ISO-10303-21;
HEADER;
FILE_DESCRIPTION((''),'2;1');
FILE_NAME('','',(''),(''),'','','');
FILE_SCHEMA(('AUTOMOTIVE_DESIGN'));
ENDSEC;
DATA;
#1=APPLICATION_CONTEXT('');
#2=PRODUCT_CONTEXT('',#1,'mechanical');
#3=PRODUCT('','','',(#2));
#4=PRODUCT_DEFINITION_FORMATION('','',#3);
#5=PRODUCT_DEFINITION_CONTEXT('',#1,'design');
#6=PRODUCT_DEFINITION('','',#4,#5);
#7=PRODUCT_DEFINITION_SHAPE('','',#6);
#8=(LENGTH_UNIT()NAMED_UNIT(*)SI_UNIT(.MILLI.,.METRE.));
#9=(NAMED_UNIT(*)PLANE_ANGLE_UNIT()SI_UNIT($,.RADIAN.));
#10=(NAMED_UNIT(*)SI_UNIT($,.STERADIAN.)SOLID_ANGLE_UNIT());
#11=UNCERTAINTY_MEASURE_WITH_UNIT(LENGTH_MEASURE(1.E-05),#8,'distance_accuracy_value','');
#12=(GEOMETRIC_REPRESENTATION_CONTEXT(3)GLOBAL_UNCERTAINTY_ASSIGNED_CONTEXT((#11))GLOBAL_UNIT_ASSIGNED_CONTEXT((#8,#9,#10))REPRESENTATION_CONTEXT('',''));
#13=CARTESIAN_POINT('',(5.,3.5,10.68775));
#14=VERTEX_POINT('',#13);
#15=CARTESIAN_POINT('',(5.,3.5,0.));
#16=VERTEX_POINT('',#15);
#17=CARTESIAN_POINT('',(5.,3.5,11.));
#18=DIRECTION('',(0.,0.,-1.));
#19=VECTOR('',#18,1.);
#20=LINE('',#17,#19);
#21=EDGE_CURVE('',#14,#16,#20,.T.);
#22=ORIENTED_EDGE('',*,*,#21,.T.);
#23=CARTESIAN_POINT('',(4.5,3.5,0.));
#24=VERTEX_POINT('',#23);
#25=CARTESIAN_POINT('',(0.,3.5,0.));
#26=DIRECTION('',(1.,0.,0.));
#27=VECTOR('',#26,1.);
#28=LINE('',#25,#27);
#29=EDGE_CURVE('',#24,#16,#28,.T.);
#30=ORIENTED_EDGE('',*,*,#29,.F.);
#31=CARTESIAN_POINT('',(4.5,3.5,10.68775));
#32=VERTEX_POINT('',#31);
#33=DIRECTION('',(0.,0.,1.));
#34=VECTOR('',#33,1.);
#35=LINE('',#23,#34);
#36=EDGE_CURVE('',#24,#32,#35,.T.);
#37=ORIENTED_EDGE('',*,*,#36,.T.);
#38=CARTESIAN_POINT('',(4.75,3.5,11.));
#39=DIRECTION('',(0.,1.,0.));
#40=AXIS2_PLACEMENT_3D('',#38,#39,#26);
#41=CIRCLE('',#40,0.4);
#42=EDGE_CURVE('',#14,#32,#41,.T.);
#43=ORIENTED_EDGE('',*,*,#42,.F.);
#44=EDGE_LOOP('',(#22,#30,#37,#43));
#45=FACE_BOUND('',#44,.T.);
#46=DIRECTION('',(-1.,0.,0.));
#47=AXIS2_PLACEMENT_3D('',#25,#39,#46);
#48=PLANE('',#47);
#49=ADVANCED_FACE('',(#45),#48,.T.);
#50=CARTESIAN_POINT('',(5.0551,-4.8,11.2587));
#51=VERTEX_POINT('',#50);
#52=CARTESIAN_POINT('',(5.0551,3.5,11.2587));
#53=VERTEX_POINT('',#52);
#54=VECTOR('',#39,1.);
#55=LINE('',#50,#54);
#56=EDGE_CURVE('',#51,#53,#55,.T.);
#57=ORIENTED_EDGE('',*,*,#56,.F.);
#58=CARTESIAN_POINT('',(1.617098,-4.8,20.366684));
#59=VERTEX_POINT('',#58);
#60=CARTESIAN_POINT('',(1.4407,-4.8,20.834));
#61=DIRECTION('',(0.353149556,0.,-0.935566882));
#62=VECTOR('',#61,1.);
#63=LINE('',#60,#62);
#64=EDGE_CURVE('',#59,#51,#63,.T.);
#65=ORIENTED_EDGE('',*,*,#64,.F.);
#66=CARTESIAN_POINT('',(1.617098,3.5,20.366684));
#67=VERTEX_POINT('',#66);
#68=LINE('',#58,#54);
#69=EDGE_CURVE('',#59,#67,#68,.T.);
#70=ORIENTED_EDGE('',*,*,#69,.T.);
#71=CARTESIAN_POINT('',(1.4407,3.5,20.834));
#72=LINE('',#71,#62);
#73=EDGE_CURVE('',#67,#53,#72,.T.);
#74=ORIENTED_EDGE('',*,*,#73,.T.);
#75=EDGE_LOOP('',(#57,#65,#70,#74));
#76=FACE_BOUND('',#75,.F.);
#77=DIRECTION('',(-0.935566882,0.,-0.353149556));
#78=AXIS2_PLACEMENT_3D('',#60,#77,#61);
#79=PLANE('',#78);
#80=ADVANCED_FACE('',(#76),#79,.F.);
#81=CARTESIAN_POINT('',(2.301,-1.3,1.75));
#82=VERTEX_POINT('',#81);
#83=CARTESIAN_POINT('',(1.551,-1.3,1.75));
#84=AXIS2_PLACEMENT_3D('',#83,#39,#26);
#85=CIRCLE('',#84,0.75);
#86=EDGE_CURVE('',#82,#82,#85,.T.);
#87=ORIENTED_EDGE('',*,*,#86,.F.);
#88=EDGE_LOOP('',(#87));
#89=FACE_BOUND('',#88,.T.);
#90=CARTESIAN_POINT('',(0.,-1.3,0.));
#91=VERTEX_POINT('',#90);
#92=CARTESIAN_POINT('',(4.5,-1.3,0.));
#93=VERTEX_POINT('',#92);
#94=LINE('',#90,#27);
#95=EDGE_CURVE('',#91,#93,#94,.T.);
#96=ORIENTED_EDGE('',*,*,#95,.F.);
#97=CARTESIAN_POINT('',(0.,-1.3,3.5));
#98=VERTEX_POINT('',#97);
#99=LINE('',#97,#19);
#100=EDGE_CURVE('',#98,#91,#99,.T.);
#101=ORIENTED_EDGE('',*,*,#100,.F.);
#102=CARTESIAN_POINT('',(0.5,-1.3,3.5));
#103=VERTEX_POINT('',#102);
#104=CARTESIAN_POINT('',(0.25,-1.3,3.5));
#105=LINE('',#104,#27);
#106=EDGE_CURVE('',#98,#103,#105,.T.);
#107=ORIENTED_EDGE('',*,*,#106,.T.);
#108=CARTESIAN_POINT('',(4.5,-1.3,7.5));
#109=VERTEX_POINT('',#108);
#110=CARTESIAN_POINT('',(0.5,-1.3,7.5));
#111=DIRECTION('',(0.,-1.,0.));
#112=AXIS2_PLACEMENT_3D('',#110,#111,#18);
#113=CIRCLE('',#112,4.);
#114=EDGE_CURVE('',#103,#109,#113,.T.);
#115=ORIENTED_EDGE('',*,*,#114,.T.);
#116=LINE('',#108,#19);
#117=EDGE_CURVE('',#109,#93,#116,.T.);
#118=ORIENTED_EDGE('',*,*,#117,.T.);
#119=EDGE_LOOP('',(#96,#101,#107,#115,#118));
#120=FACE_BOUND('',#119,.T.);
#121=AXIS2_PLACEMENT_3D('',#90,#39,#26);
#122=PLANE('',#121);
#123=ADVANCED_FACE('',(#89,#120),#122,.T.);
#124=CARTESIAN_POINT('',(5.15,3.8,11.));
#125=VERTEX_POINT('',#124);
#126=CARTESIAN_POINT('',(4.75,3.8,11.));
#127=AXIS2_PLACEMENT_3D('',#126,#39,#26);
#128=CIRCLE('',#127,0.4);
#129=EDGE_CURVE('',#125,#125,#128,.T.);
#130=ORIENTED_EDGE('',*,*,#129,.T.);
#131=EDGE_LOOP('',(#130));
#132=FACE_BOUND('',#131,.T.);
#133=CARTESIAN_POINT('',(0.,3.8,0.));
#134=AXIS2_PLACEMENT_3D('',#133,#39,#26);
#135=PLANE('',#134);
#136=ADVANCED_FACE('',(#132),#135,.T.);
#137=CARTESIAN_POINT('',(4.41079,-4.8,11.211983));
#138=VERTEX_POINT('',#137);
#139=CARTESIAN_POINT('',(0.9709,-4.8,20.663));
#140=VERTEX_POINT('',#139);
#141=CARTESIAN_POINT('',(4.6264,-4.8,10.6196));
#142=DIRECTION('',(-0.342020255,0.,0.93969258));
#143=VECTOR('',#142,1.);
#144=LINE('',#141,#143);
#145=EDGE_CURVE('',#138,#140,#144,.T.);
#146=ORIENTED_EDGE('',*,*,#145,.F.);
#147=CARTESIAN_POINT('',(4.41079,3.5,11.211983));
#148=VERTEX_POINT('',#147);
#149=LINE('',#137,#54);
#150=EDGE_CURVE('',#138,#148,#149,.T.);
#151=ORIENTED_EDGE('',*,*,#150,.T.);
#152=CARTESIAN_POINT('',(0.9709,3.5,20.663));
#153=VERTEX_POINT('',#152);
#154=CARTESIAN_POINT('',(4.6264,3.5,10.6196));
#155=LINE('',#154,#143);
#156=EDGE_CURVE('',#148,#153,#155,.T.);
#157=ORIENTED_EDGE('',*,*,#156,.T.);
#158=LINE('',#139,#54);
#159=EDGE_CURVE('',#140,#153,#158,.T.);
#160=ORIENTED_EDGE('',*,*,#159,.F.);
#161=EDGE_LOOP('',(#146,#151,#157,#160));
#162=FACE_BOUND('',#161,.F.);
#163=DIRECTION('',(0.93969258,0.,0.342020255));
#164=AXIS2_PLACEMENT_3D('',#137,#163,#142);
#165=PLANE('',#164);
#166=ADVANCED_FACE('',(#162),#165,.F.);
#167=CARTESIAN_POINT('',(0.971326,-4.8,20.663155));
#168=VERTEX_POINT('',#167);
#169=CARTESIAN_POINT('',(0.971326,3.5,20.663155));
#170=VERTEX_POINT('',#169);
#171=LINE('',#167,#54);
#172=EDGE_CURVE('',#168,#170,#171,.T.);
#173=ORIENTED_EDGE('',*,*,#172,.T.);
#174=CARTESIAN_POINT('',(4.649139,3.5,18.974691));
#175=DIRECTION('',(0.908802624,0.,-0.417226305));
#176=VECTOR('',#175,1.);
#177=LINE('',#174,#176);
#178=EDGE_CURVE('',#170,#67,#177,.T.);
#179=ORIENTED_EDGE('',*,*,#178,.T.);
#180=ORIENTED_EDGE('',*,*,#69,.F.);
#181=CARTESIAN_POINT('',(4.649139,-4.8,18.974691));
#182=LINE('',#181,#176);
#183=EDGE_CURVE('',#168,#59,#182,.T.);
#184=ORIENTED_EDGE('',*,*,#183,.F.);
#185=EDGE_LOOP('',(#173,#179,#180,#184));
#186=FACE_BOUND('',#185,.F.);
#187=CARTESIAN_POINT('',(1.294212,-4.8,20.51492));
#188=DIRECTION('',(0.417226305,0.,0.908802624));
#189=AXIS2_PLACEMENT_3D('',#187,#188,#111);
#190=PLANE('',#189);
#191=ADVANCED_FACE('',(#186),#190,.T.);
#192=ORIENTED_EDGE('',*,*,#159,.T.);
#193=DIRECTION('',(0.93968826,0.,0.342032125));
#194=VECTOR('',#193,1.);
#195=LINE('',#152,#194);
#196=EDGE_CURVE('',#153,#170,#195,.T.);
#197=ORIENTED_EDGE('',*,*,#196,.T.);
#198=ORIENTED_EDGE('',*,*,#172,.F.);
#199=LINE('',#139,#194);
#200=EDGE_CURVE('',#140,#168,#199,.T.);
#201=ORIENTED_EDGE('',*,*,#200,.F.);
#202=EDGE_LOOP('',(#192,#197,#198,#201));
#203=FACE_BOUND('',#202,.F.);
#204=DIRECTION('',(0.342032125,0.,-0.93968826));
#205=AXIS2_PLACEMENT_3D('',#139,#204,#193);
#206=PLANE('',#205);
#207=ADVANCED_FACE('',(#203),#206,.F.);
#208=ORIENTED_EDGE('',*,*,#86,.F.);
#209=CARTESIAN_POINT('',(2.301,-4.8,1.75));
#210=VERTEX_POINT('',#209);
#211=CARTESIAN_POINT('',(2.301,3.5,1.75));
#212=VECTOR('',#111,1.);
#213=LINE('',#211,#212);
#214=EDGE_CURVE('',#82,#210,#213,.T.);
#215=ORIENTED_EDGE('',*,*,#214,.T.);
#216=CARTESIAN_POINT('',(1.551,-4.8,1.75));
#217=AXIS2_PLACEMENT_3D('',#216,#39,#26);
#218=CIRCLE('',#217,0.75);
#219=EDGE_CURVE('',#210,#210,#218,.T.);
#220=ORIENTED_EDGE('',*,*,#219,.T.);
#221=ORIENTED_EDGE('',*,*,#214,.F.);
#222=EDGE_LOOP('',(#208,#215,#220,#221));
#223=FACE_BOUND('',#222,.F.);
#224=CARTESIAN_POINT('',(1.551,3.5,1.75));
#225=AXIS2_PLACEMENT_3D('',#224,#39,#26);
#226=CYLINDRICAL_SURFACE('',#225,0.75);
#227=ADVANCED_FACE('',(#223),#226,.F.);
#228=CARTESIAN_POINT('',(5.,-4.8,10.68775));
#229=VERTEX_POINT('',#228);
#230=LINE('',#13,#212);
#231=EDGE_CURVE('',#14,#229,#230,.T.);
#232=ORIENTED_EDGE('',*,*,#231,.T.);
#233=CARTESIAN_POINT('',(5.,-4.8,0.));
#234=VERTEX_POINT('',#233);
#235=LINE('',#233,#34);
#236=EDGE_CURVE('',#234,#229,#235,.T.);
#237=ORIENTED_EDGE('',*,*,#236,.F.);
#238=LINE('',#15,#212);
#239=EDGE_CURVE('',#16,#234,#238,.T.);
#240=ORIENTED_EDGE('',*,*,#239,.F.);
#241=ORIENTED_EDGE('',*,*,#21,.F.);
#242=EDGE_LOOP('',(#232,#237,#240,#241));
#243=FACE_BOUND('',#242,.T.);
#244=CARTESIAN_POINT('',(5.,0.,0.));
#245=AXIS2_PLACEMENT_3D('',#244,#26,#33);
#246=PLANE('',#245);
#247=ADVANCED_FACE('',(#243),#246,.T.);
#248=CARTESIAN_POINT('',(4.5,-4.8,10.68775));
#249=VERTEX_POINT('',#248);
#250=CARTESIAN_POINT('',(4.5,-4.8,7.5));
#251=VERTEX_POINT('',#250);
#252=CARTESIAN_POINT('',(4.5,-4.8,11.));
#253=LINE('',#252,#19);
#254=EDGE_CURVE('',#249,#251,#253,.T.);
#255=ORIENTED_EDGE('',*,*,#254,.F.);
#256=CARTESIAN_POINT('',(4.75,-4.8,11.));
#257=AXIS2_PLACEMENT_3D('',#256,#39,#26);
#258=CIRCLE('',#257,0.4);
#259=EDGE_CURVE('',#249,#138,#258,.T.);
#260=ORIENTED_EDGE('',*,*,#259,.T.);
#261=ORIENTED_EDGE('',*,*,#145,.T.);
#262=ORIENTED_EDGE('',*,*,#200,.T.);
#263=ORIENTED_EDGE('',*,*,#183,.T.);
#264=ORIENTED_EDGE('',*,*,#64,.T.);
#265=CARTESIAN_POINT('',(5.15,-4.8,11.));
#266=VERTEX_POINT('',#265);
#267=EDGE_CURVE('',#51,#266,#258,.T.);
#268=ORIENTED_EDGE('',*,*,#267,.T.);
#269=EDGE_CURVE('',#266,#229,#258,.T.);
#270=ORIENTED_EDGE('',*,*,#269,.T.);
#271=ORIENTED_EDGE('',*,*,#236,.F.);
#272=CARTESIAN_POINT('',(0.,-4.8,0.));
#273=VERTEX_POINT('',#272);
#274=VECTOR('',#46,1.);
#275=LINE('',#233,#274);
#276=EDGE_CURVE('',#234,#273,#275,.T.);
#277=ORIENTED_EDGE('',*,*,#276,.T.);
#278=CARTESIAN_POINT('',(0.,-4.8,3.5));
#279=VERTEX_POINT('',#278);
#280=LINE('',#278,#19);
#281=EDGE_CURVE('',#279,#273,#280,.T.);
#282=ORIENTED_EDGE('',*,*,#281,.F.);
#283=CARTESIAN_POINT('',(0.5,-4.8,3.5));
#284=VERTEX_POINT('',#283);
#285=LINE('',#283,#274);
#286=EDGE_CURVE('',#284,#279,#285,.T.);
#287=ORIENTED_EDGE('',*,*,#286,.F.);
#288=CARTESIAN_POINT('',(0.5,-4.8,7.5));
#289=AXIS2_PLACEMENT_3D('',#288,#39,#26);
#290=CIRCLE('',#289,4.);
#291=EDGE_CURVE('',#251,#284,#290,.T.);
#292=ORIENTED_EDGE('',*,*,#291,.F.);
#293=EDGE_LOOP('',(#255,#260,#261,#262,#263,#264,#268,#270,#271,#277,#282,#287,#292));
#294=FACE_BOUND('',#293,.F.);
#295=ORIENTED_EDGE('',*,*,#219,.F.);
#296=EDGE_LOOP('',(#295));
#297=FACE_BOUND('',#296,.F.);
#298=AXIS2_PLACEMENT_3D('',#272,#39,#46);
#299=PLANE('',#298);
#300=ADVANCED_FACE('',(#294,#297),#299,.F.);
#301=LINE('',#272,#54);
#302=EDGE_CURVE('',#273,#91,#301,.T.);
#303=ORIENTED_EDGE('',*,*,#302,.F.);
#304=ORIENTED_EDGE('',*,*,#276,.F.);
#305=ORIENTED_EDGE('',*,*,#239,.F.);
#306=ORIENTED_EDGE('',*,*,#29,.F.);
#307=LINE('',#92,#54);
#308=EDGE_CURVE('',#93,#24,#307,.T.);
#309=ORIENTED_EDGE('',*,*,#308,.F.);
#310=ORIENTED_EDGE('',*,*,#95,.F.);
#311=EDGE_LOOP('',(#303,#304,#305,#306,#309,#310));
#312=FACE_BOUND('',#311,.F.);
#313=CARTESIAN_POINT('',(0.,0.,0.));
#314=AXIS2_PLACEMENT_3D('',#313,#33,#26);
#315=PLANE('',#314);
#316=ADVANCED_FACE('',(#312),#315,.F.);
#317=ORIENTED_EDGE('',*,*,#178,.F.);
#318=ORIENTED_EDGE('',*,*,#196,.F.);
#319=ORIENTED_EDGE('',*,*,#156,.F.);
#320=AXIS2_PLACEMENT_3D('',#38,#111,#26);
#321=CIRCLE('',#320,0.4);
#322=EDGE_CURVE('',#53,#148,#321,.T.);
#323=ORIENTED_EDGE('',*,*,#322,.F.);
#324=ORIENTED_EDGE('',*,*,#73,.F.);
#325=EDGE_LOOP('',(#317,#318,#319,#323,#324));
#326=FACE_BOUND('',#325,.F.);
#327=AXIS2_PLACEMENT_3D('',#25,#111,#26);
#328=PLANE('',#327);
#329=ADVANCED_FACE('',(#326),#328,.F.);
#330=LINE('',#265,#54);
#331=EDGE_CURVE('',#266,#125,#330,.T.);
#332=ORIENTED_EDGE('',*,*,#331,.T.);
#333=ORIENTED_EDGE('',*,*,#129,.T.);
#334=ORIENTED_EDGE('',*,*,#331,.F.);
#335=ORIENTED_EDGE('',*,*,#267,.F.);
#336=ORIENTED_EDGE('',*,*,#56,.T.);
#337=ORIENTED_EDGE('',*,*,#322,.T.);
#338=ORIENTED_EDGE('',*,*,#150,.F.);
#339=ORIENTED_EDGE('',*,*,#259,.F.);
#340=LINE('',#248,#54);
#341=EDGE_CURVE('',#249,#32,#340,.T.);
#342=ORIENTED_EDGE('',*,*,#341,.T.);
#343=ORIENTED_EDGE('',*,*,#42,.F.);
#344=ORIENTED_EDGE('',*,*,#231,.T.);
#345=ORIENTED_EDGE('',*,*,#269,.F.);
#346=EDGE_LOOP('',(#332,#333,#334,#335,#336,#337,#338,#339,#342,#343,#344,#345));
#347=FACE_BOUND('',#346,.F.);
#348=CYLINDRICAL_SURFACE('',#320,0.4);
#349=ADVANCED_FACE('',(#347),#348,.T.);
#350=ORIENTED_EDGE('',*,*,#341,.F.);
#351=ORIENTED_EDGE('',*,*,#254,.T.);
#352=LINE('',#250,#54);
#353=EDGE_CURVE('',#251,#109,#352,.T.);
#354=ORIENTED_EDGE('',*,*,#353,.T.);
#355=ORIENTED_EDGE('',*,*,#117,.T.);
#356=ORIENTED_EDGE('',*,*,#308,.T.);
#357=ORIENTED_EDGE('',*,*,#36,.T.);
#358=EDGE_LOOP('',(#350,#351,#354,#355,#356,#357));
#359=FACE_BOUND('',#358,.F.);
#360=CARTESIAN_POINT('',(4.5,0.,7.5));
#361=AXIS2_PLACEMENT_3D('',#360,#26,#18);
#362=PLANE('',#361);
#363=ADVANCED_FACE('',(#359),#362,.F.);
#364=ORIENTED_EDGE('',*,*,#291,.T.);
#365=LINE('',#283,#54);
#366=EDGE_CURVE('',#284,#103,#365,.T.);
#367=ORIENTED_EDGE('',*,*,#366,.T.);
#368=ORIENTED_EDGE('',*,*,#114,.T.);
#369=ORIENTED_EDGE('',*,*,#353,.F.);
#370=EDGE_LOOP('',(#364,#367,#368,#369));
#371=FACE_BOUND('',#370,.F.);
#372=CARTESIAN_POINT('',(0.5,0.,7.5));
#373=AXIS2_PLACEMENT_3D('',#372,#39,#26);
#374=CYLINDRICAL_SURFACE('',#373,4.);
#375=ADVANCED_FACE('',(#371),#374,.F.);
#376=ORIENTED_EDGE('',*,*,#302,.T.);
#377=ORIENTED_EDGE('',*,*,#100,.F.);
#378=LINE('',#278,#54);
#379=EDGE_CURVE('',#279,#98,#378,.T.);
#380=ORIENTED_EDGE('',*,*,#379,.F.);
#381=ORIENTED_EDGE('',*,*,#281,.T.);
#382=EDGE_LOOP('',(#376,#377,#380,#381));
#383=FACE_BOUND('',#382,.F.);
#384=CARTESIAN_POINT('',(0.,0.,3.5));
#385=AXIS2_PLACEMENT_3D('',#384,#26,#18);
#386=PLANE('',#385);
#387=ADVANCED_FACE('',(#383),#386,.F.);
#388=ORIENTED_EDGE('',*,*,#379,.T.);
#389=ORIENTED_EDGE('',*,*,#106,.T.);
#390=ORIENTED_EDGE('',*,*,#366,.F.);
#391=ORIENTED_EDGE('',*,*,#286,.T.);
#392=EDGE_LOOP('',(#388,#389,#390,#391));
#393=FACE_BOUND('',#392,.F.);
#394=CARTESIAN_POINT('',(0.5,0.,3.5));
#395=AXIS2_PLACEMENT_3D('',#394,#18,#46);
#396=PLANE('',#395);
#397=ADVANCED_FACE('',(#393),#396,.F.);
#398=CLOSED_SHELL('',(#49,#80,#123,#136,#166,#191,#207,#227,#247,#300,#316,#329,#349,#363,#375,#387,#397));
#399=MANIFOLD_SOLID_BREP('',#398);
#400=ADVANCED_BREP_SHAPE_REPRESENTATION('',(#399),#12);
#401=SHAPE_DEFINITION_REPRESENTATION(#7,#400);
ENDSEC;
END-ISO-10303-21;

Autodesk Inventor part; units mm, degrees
ref_plane "YZ Plane" through (0, 0, 0) normal (1, 0, 0) x (0, 1, 0)
ref_plane "XZ Plane" through (0, 0, 0) normal (0, 1, 0) x (-1, 0, 0)
ref_plane "XY Plane" through (0, 0, 0) normal (0, 0, 1) x (1, 0, 0)
sketch "Sketch1" plane through (0, 0, 0) normal (0, 1, 0) x (-1, 0, 0)
  line L0 (0, 0) -> (-5, 0)
  line L1 (-5, 0) -> (-5, 3.5)
  line L2 (-0.5, 3.5) -> (0, 3.5)
  line L3 (0, 3.5) -> (0, 0)
  line L4 (-5, 0) -> (-4.5, 0)
  line L5 (-4.5, 7.5) -> (-4.5, 11)
  line L6 (-4.5, 11) -> (-5, 11)
  line L7 (-5, 11) -> (-5, 0)
  arc A0 (-4.5, 7.5) -> (-0.5, 3.5) centre (-0.5, 7.5) ccw
  dimension "d0" = 5
  dimension "d1" = 3.5
  dimension "d2" = 0.5
  dimension "d3" = 11
  dimension "d4" = 4
extrude "Extrusion1" add sketch "Sketch1" along normal blind 3.5
sketch "Sketch2" plane through (0, 3.5, 0) normal (0, 1, 0) x (1, 0, 0)
  line L0 (0, -3.5) -> (0.5, -3.5) projected
  line L1 (5, -11) -> (5, 0) projected
  line L2 (0, -3.5) -> (5, -3.5)
  line L3 (5, -3.5) -> (5, 0)
  line L4 (5, 0) -> (0, 0)
  line L5 (0, 0) -> (0, -3.5)
  circle A0 centre (1.551, -1.75) radius 0.75
  dimension "d7" = 1.5
extrude "Extrusion2" cut sketch "Sketch2" against normal blind 3.5 contours A0
sketch "Sketch3" plane through (0, 0, 0) normal (0, -1, 0) x (1, 0, 0)
  line L0 (5, 11) -> (5, 0) projected
  arc A0 (0.5, 3.5) -> (4.5, 7.5) centre (0.5, 7.5) ccw projected
  line L1 (5, 11) -> (4.5, 11)
  line L2 (4.5, 11) -> (4.5, 7.5)
  line L3 (4.5, 7.5) -> (5, 7.5)
  line L4 (5, 7.5) -> (5, 11)
  line L5 (5, 0) -> (0, 0) projected
  line L6 (5, 7.5) -> (4.5, 7.5)
  line L7 (4.5, 7.5) -> (4.5, 0)
  line L8 (4.5, 0) -> (5, 0)
  line L9 (5, 0) -> (5, 7.5)
extrude "Extrusion3" add sketch "Sketch3" along normal blind 4.8
sketch "Sketch4" plane through (0, 3.5, 0) normal (0, 1, 0) x (1, 0, 0)
  line L0 (5, -11) -> (4.5, -11) projected
  circle A0 centre (4.75, -11) radius 0.4
  point P0 (0, 0)
  dimension "d12" = 0.8
extrude "Extrusion4" add sketch "Sketch4" along normal blind 0.3 and the other way blind 8.3
sketch "Sketch5" plane through (0, -4.8, 0) normal (0, -1, 0) x (1, 0, 0)
  circle A0 centre (4.75, 11) radius 0.4 projected
  line L0 (4.6264, 10.6196) -> (0.9709, 20.663)
  line L1 (4.6264, 10.6196) -> (15.3144, 10.6196) construction
  line L2 (0.9709, 20.663) -> (1.4407, 20.834)
  line L3 (1.4407, 20.834) -> (5.0551, 11.2587)
  point P0 (0, 0)
  point P1 (4.4108, 11.212)
  dimension "d17" = 10.688
  dimension "d18" = 110
  dimension "d19" = 0.5
extrude "Extrusion5" add sketch "Sketch5" against normal blind 8.3 contours A0 L0 L2 L3
chamfer "Chamfer1" distance 0.5 angle 45 1 edges at (1.4407, -0.65, 20.834)
extrude "Extrusion6" add sketch "Sketch1" against normal blind 4.8
extrude "Extrusion7" cut sketch "Sketch2" against normal blind 10 contours A0
sketch "Sketch8" plane through (0, 3.5, 0) normal (0, 1, 0) x (1, 0, 0)
  arc A0 (4.5, -7.5) -> (0.5, -3.5) centre (0.5, -7.5) ccw projected
  line L0 (4.5, -7.5) -> (4.5, 0)
  line L1 (0, 0) -> (5, 0) projected
  line L2 (4.5, 0) -> (0, 0)
  line L3 (0, -3.5) -> (0, 0) projected
  line L4 (0, 0) -> (0, -3.5)
  line L5 (4.5, -10.6878) -> (4.5, -7.5) projected
  line L6 (0.5, -3.5) -> (0, -3.5) projected
  arc A1 (4.5, -7.5) -> (0, -3.5) centre (0.0283, -7.9995) ccw
extrude "Extrusion8" cut sketch "Sketch8" against normal blind 3.5
sketch "Sketch10" plane through (0, 0, 0) normal (0, 1, 0) x (1, 0, 0)
  arc A0 (4.5, -7.5) -> (0.5, -3.5) centre (0.5, -7.5) ccw projected
  line L0 (4.5, -7.5) -> (4.5, 0)
  line L1 (0, 0) -> (4.5, 0) projected
  line L2 (4.5, 0) -> (0, 0)
  line L3 (0, -3.5) -> (0, 0) projected
  line L4 (0, 0) -> (0, -3.5)
  arc A1 (0.0565, -3.5) -> (0, -3.5) centre (0.0283, -7.9995) ccw projected
  arc A2 (4.5, -7.5) -> (0, -3.5) centre (0.4527, -7.522) ccw
  point P0 (3.0783, -4.4418)
extrude "Extrusion9" cut sketch "Sketch10" against normal blind 1.3 contours A0 A2 L3 L1 L0
sketch "Sketch11" plane through (0, -1.3, 0) normal (0, 1, 0) x (1, 0, 0)
  line L0 (4.5, -7.5) -> (-4.9398, -7.5)
  line L1 (-4.9398, -7.5) -> (-4.9398, 2.7302)
  line L2 (-4.9398, 2.7302) -> (4.5, 2.7302)
  line L3 (4.5, 2.7302) -> (4.5, -7.5)
  point P0 (0, 0)
extrude "Extrusion10" cut sketch "Sketch11" along normal blind 10
properties part number "McCrea_finger_Walle"
